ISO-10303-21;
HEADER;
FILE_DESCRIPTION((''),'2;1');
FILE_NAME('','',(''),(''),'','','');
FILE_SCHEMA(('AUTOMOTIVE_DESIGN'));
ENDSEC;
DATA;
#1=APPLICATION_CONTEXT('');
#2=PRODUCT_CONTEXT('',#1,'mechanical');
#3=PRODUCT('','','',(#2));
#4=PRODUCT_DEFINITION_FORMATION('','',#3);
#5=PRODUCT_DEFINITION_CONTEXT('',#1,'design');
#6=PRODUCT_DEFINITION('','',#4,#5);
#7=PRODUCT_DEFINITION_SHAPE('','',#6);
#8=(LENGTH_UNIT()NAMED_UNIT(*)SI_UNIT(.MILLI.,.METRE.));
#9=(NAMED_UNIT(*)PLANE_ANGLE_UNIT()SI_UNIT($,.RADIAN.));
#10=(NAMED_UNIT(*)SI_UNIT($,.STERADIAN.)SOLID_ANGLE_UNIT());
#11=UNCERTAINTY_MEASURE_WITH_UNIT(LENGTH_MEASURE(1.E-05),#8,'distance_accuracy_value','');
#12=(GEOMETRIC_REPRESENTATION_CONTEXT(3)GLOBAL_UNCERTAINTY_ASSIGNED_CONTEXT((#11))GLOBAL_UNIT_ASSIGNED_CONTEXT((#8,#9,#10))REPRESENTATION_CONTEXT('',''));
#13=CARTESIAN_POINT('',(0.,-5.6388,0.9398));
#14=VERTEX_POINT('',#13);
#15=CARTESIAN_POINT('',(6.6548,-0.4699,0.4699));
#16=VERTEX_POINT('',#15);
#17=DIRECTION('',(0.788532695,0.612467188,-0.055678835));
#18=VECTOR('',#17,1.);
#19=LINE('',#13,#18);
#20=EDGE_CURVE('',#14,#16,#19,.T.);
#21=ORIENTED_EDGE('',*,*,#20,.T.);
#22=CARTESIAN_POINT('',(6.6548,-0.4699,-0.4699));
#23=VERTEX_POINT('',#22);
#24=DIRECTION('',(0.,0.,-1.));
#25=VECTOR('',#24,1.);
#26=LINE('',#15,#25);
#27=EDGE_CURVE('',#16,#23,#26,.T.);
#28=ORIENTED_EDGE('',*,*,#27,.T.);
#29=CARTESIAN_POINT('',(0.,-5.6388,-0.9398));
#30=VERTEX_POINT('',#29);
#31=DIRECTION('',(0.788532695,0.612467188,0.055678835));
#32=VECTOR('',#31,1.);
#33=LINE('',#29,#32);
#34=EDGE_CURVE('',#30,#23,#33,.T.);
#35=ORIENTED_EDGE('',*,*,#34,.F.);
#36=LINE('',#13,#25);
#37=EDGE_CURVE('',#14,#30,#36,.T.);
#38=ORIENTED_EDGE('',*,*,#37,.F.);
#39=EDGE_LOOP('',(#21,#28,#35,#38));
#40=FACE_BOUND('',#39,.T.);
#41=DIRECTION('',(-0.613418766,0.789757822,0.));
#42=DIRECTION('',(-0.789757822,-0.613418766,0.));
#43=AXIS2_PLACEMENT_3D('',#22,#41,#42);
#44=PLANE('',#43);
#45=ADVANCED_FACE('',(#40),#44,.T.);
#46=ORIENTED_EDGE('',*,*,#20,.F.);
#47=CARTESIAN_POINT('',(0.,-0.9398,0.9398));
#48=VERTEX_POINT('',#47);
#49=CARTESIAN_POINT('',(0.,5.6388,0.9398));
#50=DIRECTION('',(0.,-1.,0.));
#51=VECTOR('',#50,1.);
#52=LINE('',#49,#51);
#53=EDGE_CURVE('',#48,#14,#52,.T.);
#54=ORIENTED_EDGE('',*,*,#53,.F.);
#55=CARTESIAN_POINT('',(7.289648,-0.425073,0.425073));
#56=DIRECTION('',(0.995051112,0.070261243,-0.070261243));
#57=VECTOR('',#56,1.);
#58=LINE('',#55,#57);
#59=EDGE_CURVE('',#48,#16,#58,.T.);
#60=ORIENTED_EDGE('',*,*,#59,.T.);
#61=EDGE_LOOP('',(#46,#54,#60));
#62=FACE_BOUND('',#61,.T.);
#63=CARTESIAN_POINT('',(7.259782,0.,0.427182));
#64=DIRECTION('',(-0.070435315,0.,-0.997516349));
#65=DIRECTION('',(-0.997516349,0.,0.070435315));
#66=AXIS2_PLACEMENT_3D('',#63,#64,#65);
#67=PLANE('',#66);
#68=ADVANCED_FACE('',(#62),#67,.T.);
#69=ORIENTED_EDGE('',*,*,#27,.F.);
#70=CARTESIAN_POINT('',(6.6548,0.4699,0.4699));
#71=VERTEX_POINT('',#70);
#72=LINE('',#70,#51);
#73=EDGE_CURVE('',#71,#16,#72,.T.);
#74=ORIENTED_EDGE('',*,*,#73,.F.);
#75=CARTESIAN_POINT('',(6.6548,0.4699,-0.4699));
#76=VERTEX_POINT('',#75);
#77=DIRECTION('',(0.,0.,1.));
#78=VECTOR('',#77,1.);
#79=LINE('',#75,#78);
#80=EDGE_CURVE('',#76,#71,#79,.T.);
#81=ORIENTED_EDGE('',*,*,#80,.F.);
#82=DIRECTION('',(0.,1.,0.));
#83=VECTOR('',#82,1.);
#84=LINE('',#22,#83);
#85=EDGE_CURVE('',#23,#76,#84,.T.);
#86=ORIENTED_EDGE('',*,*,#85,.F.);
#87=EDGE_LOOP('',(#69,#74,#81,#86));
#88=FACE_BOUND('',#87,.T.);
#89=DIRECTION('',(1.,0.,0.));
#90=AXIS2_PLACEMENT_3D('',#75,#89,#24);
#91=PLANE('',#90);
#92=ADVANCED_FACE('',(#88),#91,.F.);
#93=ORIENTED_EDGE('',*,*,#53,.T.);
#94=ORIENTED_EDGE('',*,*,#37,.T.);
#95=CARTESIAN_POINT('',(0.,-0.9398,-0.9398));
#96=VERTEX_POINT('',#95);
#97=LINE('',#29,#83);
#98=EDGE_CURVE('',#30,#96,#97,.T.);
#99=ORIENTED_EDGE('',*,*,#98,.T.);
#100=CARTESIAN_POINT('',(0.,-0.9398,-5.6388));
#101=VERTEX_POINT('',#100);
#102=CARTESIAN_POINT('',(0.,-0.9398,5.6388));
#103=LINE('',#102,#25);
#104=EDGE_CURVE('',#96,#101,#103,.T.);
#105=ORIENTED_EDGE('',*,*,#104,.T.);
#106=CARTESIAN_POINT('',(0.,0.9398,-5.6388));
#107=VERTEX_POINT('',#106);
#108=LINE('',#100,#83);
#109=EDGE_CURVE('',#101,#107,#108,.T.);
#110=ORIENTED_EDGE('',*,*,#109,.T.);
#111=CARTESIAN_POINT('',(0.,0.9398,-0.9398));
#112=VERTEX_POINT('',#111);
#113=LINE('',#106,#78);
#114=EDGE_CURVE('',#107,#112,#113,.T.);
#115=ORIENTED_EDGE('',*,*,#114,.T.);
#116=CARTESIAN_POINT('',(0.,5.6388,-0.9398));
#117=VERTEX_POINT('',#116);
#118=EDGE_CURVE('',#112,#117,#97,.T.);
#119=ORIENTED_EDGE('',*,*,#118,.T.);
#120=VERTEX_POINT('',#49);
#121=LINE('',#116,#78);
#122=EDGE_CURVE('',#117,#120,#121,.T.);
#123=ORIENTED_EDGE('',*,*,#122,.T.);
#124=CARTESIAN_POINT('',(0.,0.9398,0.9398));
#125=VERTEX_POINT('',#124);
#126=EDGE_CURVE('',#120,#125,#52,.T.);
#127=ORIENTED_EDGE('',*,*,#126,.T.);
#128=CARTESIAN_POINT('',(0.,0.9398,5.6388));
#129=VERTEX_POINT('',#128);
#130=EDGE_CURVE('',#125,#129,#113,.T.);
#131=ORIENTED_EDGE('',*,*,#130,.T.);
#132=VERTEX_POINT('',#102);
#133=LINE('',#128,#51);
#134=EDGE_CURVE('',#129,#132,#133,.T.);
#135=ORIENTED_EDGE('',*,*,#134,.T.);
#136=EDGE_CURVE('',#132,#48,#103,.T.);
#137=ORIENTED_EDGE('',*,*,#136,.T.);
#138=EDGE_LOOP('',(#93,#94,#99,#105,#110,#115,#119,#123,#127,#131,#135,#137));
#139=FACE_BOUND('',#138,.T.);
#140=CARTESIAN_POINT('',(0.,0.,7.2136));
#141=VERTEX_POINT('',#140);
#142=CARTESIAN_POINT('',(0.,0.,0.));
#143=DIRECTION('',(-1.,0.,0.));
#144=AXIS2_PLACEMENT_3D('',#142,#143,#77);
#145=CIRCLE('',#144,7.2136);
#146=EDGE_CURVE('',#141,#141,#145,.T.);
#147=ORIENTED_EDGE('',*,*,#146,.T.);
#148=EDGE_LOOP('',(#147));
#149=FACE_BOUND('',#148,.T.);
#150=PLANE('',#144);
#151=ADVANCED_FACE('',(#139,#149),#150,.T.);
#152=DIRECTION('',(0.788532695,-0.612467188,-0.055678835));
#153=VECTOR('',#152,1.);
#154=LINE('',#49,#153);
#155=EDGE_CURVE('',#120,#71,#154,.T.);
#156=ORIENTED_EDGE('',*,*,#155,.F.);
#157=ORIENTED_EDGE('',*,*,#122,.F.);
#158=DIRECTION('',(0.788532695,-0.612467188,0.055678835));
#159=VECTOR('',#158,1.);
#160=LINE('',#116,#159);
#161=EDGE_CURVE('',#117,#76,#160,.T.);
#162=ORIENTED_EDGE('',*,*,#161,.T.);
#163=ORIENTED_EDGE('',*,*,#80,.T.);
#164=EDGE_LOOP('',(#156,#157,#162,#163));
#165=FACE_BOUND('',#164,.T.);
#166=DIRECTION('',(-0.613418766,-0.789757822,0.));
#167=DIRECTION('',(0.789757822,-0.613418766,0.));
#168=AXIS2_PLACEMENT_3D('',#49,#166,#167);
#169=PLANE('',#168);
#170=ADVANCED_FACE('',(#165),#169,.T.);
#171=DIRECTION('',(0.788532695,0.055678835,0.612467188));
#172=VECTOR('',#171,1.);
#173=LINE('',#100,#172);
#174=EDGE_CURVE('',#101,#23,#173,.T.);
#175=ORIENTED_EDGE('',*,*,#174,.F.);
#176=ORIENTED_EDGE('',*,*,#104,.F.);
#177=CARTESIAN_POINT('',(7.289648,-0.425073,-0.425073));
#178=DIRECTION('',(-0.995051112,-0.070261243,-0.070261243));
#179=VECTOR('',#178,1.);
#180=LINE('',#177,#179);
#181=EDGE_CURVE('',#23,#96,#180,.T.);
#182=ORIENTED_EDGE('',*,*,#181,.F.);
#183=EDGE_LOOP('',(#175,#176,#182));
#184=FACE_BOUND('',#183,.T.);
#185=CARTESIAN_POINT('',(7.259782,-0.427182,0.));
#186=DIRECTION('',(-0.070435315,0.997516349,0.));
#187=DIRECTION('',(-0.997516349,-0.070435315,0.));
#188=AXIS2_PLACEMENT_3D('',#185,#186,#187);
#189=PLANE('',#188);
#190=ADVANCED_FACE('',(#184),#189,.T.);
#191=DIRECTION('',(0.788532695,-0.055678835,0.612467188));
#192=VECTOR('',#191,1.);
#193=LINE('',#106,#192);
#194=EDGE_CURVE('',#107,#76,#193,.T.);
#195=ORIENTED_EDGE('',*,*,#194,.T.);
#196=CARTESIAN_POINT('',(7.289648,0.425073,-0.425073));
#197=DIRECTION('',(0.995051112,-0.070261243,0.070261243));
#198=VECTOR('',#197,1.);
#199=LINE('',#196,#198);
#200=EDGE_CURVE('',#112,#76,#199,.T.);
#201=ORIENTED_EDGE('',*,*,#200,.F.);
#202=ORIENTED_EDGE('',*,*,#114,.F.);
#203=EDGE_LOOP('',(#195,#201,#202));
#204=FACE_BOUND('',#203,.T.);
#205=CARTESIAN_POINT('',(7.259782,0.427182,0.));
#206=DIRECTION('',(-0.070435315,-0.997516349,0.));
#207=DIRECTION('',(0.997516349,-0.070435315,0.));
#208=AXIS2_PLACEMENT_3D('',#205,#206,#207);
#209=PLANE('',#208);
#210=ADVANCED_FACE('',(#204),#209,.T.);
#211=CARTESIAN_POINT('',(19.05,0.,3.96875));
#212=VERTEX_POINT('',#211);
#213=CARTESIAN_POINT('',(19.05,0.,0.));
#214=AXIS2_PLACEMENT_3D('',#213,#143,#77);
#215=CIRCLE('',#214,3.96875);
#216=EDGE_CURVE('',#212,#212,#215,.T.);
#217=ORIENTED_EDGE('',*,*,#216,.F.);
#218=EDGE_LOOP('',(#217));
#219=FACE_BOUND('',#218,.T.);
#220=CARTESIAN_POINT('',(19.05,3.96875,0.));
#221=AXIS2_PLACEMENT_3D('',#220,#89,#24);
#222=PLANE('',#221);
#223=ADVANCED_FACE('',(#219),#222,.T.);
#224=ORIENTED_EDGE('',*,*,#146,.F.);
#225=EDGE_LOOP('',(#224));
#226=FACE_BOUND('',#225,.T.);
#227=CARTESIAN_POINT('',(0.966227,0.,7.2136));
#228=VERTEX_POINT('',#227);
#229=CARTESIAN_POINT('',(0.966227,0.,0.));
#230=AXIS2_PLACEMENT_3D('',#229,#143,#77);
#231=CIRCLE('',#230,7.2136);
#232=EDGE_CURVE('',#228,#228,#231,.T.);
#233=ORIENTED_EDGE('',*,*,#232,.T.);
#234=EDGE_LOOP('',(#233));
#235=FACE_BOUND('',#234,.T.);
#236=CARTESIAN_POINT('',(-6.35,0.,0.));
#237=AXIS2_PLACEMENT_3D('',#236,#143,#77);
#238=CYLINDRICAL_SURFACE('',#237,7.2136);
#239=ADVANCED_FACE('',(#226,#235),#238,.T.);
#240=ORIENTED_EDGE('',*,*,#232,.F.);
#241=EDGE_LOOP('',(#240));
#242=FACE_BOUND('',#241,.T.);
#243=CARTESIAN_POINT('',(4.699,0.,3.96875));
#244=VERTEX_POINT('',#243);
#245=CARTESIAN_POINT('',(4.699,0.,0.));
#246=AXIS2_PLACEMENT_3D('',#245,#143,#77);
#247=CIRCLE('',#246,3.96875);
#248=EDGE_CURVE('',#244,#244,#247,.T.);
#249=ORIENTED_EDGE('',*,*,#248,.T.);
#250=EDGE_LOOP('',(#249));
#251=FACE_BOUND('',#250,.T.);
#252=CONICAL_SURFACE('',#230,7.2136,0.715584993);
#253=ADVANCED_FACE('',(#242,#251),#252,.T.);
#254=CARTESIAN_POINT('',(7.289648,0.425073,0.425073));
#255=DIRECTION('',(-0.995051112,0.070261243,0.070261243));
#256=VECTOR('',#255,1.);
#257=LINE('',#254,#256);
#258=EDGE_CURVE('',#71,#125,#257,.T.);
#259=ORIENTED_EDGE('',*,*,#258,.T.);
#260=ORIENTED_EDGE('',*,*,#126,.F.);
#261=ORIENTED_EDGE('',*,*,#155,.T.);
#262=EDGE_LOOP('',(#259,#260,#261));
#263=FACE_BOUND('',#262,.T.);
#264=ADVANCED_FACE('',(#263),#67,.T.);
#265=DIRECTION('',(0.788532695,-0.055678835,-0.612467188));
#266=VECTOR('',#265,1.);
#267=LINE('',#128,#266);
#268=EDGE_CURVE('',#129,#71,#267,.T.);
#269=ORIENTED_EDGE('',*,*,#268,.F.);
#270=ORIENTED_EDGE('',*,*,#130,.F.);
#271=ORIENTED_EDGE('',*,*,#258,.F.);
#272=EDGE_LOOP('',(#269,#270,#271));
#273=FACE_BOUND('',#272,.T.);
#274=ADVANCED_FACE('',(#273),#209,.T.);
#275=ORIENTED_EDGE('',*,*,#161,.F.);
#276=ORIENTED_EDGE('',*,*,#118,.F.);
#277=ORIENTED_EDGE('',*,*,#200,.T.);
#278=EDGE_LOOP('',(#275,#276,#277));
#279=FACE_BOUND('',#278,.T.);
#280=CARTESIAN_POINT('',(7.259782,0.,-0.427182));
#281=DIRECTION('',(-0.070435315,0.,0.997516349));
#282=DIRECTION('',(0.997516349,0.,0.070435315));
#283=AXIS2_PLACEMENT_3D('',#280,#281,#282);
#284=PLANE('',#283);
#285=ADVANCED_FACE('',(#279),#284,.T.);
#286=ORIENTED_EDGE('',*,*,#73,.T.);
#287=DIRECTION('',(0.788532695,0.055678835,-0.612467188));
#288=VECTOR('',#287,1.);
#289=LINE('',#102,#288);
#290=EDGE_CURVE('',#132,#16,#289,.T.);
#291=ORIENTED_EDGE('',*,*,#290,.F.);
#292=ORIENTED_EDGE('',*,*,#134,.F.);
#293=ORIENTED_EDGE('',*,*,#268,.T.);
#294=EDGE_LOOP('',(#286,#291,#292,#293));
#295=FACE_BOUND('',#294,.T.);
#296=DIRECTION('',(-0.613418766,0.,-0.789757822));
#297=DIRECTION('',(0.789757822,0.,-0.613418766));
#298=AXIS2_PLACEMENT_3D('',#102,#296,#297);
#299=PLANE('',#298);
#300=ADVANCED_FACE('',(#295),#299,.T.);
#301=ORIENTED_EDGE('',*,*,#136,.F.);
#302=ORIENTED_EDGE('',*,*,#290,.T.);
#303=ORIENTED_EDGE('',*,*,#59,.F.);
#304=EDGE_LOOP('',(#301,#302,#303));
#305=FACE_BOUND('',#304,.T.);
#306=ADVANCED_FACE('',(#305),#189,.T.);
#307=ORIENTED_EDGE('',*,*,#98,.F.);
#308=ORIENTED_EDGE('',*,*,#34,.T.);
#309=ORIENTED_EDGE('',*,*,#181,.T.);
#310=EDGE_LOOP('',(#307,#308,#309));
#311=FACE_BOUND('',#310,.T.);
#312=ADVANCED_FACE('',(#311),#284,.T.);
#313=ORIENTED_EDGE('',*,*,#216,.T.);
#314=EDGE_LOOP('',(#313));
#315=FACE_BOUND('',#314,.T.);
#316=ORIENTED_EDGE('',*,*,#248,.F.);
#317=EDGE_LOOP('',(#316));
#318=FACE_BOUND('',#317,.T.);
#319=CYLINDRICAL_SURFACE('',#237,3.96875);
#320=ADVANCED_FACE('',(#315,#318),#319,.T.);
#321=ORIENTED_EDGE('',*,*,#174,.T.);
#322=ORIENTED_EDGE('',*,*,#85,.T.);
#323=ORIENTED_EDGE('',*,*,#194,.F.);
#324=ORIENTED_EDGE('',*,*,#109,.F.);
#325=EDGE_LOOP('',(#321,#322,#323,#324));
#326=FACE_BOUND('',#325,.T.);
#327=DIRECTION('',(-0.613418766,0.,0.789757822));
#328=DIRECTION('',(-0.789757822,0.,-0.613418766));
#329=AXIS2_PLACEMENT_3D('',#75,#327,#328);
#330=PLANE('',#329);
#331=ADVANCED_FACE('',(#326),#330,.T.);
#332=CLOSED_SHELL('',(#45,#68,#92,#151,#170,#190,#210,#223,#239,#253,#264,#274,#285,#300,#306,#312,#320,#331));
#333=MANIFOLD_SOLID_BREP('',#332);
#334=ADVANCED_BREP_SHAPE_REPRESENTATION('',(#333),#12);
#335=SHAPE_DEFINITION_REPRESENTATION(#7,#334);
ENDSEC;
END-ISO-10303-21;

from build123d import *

# Parameters (mm, degrees)
CIRPATTERN1_COUNT = 2
CIRPATTERN1_ANGLE = 90


with BuildPart() as part:
    # BodySke → Base-Revolve (revolve)
    with BuildSketch(Plane.XY, mode=Mode.PRIVATE) as base_revolve_sk:
        Polygon((0, 0), (0, 7.2136), (0.966227074, 7.2136), (4.699, 3.96875), (19.05, 3.96875), (19.05, 0), align=None)
    revolve(base_revolve_sk.sketch.rotate(Axis((-6.35, 0, 0), (1, 0, 0)), 90), axis=Axis((-6.35, 0, 0), (1, 0, 0)))

    # Sketch3 → Cross section 0
    with BuildSketch(Plane.ZY):
        with BuildLine():
            Line((-0.9398, 5.6388), (0.9398, 5.6388))
            Line((0.9398, 5.6388), (0.9398, -5.6388))
            Line((0.9398, -5.6388), (-0.9398, -5.6388))
            Line((-0.9398, -5.6388), (-0.9398, 5.6388))
        make_face()
    # Sketch4 → Cross section 1
    with BuildSketch(Plane.ZY.offset(-6.6548)):
        with BuildLine():
            Line((-0.4699, 0.4699), (0.4699, 0.4699))
            Line((0.4699, 0.4699), (0.4699, -0.4699))
            Line((0.4699, -0.4699), (-0.4699, -0.4699))
            Line((-0.4699, -0.4699), (-0.4699, 0.4699))
        make_face()
    cross = loft(mode=Mode.SUBTRACT)

    # CirPattern1: Cross ×2 about axis
    cirpattern1_axis = Axis((0, 0, 0), (1, 0, 0))
    for i in range(1, CIRPATTERN1_COUNT):
        add(cross.rotate(cirpattern1_axis, i * CIRPATTERN1_ANGLE / (CIRPATTERN1_COUNT - 1)), mode=Mode.SUBTRACT)


solid = part.part
